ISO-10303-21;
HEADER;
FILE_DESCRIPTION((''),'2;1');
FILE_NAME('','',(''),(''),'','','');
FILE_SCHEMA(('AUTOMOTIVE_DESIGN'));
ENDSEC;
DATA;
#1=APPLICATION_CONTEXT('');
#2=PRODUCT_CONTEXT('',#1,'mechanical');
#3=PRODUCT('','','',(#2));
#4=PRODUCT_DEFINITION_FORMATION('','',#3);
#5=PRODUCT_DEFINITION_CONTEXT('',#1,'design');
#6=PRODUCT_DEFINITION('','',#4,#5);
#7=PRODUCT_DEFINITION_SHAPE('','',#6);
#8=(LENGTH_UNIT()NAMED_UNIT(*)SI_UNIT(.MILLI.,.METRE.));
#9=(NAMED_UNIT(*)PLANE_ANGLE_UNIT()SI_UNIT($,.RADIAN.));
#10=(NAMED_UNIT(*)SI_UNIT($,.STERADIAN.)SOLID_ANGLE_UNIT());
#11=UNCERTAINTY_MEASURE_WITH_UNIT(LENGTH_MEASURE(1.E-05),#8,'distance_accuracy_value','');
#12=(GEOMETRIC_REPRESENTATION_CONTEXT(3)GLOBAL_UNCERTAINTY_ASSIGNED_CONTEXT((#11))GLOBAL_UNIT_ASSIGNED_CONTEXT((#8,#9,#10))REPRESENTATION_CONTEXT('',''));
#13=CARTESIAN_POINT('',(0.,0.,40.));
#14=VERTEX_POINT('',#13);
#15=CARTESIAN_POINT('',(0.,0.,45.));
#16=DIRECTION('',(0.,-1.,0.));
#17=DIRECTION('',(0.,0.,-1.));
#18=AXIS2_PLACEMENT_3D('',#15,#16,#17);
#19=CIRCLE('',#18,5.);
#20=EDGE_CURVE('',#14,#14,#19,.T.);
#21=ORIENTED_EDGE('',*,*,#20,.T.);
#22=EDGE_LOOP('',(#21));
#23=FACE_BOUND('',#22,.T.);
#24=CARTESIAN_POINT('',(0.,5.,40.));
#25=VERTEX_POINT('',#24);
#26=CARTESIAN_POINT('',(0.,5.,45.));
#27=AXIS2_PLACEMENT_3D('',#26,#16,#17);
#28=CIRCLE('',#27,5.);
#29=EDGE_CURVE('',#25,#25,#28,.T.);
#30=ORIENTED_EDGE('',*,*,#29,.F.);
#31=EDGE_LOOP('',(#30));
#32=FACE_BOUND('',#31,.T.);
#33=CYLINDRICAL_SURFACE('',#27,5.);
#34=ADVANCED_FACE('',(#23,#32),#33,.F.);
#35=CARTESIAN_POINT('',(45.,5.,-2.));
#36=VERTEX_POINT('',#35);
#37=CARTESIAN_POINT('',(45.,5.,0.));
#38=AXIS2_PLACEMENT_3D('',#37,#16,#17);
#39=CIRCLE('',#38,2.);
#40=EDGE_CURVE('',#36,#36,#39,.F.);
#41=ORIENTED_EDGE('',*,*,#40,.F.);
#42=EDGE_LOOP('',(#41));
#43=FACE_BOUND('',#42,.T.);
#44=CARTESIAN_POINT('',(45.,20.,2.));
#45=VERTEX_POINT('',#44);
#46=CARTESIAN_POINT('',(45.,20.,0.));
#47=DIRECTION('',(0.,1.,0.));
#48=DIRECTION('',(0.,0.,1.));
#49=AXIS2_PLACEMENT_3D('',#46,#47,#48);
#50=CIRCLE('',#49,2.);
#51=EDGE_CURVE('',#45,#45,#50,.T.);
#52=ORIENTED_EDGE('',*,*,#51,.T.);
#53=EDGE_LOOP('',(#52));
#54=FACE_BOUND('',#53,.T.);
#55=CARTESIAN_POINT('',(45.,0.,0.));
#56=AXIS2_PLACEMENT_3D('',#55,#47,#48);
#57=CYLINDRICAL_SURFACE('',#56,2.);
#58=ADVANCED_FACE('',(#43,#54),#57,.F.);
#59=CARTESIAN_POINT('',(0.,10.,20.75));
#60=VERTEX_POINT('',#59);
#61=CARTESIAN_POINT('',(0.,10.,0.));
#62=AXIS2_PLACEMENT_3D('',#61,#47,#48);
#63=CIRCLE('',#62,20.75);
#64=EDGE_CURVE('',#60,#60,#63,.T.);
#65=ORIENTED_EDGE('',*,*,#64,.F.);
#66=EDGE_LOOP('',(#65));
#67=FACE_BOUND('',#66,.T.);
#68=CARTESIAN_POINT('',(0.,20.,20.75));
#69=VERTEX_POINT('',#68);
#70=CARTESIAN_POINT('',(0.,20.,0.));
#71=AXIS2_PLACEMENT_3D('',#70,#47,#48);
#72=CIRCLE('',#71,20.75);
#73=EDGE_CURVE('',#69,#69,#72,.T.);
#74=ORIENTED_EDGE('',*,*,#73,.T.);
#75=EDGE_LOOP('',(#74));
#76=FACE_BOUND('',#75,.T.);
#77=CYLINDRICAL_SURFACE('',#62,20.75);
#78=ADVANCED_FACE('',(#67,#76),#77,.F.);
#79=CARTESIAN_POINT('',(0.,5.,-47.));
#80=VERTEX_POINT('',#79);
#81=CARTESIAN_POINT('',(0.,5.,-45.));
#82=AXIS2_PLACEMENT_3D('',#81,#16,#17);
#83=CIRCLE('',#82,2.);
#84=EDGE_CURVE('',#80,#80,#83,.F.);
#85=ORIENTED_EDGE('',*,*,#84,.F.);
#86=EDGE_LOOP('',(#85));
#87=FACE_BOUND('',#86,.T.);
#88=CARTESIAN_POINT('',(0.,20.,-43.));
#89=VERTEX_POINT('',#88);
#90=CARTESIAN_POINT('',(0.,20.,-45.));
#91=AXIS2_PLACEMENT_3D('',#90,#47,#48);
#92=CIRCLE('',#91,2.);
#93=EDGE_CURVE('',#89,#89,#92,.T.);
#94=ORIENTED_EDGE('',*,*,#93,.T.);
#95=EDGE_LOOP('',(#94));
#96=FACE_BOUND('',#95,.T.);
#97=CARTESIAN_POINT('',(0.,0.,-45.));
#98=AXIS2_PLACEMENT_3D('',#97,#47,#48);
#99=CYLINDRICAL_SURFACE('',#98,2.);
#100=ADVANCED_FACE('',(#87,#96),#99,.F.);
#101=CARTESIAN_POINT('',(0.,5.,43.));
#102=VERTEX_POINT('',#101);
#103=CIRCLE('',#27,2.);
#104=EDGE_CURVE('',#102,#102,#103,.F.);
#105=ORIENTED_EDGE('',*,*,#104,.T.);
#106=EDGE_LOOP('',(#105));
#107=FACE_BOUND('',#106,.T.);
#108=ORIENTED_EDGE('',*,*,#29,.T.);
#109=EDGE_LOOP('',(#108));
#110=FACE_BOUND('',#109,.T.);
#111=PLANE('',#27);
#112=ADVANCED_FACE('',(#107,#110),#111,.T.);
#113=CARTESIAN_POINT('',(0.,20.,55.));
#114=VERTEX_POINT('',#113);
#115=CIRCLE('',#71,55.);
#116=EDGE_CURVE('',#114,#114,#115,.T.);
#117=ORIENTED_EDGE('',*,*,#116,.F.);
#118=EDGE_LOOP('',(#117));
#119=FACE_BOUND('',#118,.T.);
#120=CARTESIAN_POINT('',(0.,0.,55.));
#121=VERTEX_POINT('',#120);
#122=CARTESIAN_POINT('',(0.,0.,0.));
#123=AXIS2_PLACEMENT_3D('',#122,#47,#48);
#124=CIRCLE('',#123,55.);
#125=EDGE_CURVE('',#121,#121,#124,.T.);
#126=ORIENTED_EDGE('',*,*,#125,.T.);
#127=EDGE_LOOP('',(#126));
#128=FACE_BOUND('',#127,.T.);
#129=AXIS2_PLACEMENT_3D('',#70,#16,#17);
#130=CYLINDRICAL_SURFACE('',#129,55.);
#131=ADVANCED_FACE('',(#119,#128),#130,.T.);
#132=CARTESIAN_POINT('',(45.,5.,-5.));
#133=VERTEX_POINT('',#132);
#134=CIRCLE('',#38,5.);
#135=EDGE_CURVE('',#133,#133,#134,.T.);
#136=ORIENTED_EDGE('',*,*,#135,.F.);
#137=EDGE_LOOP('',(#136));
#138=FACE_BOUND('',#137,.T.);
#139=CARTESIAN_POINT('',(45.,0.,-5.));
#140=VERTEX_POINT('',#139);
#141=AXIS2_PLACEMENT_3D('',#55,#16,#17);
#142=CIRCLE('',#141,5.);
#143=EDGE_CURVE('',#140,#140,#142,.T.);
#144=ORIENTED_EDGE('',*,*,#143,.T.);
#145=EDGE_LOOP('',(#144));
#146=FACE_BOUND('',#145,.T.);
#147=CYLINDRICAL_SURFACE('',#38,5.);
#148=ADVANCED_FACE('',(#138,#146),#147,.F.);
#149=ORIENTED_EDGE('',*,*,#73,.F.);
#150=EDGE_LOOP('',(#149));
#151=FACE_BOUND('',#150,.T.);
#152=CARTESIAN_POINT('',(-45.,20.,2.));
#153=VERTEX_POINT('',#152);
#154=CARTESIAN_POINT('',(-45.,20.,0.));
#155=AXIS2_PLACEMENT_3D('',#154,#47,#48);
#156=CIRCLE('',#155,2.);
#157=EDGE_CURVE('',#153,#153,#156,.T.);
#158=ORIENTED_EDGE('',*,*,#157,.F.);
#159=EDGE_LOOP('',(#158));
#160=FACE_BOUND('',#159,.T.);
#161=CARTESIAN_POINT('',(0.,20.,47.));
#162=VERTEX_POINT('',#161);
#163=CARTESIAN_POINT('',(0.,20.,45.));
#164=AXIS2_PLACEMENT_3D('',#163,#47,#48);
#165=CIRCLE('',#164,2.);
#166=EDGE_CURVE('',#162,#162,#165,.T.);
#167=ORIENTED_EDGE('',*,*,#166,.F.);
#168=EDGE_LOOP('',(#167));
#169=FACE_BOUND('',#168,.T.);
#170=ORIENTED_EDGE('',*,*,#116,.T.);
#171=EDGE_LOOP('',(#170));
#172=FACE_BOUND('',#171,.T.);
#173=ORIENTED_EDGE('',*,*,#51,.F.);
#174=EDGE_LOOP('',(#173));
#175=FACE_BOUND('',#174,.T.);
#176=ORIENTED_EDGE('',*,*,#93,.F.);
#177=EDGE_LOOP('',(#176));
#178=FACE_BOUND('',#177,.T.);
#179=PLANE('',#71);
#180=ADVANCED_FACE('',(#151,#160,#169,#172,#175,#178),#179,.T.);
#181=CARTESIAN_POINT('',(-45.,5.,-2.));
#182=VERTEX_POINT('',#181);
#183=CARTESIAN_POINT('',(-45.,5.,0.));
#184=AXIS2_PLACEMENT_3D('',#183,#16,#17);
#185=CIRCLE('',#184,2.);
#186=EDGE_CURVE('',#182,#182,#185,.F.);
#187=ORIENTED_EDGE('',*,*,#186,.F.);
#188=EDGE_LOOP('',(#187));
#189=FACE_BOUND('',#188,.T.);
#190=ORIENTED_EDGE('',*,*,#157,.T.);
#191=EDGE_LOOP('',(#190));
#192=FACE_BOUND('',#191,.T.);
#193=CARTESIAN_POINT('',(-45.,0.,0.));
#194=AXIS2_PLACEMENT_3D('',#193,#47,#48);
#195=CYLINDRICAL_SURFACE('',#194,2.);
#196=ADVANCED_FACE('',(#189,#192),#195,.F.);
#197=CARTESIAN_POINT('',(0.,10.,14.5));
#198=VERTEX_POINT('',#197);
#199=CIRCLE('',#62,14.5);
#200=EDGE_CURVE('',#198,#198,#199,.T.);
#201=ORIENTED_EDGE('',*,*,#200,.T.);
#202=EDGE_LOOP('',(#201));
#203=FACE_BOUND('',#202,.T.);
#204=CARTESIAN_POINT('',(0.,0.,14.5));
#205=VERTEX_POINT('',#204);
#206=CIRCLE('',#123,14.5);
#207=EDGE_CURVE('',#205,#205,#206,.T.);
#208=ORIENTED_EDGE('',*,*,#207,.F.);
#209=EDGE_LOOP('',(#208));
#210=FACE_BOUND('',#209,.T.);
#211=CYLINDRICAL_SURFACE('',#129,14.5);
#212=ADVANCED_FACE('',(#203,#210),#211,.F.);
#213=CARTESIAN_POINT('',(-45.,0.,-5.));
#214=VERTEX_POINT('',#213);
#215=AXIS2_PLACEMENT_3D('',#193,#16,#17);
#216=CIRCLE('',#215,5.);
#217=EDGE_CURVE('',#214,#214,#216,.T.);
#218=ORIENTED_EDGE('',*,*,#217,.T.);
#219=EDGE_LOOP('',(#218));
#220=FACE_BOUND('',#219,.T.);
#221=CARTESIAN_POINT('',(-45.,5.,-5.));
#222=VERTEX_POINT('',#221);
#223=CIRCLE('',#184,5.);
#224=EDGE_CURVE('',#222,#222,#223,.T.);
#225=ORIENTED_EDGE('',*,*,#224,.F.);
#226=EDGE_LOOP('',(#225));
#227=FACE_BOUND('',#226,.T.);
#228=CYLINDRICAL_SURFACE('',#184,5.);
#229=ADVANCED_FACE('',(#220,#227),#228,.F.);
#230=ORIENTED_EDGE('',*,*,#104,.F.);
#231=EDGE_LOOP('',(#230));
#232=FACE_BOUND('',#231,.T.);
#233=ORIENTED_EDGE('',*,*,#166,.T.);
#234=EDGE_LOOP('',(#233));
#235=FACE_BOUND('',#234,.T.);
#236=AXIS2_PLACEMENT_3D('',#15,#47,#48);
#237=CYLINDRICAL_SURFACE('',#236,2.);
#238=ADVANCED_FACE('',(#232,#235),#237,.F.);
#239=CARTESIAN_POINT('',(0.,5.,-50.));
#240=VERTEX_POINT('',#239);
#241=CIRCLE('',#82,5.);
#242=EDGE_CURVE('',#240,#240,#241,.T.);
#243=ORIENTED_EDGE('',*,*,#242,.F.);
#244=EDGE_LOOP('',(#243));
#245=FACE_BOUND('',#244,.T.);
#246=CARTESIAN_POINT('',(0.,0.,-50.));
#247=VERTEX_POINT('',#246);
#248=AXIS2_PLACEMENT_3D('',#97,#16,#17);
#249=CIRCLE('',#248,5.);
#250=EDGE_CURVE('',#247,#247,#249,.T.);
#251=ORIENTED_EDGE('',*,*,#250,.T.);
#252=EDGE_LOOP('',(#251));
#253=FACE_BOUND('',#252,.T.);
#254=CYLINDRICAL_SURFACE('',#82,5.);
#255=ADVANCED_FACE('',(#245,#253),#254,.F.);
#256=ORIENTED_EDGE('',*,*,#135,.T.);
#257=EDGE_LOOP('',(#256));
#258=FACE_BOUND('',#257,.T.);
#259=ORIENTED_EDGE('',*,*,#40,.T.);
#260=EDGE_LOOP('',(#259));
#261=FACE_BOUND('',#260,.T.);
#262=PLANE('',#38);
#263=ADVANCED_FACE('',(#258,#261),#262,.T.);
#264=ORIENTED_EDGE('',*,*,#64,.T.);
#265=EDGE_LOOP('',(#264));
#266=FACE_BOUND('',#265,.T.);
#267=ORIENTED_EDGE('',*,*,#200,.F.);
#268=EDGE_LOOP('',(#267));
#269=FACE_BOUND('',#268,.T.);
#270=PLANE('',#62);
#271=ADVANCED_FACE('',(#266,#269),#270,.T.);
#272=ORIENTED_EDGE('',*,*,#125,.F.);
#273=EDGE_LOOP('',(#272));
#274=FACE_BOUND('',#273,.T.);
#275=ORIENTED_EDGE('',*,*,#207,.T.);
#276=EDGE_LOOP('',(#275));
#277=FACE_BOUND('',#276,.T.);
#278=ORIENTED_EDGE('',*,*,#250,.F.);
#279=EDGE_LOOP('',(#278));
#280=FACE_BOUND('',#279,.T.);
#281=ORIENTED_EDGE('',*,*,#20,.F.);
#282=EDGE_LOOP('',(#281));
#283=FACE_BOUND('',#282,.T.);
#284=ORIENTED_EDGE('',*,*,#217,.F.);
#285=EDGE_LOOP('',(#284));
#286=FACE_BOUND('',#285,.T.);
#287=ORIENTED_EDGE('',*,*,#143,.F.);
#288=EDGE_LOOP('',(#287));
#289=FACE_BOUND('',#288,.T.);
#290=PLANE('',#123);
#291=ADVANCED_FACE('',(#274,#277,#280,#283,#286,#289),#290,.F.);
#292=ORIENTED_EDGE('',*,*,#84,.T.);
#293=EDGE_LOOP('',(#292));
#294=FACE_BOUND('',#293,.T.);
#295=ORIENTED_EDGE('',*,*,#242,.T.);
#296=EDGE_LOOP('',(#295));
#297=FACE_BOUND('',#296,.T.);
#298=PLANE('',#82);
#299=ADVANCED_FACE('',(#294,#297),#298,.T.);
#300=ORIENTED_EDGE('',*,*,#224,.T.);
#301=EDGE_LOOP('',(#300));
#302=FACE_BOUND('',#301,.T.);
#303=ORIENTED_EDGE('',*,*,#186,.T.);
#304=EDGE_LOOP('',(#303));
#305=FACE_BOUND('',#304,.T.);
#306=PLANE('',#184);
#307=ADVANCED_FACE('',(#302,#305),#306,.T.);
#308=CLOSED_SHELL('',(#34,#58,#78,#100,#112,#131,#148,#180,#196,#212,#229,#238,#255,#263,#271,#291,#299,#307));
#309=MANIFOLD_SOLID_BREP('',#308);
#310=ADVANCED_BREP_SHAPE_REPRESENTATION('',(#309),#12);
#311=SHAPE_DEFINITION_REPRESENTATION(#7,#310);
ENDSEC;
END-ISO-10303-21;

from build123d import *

# Parameters (mm, degrees)
SKETCH1_R           = 55
SKETCH1_R_2         = 14.5
BOSS_EXTRUDE1_DEPTH = 20
SKETCH2_R           = 20.75
CUT_EXTRUDE1_DEPTH  = 10
SKETCH4_R           = 2
CUT_EXTRUDE2_DEPTH  = 20
SKETCH6_R           = 5
CUT_EXTRUDE3_DEPTH  = 5


with BuildPart() as part:
    # Sketch1 → Boss-Extrude1 (new body)
    with BuildSketch(Plane(origin=(0, 0, 0), x_dir=(1, 0, 0), z_dir=(0, 1, 0))):
        Circle(SKETCH1_R)
        Circle(SKETCH1_R_2, mode=Mode.SUBTRACT)
    extrude(amount=BOSS_EXTRUDE1_DEPTH)

    # Sketch2 → Cut-Extrude1 (cut)
    with BuildSketch(Plane(origin=(0, 20, 0), x_dir=(1, 0, 0), z_dir=(0, 1, 0))):
        Circle(SKETCH2_R)
    extrude(amount=-CUT_EXTRUDE1_DEPTH, mode=Mode.SUBTRACT)

    # Sketch4 → Cut-Extrude2 (cut)
    with BuildSketch(Plane(origin=(0, 20, 0), x_dir=(1, 0, 0), z_dir=(0, 1, 0))):
        with Locations((0, 45)):
            Circle(SKETCH4_R)
        with Locations((45, 0)):
            Circle(SKETCH4_R)
        with Locations((0, -45)):
            Circle(SKETCH4_R)
        with Locations((-45, 0)):
            Circle(SKETCH4_R)
    extrude(amount=-CUT_EXTRUDE2_DEPTH, mode=Mode.SUBTRACT)

    # Sketch6 → Cut-Extrude3 (cut)
    with BuildSketch(Plane.XZ):
        with Locations((0, 45)):
            Circle(SKETCH6_R)
        with Locations((45, 0)):
            Circle(SKETCH6_R)
        with Locations((0, -45)):
            Circle(SKETCH6_R)
        with Locations((-45, 0)):
            Circle(SKETCH6_R)
    extrude(amount=-CUT_EXTRUDE3_DEPTH, mode=Mode.SUBTRACT)


solid = part.part
